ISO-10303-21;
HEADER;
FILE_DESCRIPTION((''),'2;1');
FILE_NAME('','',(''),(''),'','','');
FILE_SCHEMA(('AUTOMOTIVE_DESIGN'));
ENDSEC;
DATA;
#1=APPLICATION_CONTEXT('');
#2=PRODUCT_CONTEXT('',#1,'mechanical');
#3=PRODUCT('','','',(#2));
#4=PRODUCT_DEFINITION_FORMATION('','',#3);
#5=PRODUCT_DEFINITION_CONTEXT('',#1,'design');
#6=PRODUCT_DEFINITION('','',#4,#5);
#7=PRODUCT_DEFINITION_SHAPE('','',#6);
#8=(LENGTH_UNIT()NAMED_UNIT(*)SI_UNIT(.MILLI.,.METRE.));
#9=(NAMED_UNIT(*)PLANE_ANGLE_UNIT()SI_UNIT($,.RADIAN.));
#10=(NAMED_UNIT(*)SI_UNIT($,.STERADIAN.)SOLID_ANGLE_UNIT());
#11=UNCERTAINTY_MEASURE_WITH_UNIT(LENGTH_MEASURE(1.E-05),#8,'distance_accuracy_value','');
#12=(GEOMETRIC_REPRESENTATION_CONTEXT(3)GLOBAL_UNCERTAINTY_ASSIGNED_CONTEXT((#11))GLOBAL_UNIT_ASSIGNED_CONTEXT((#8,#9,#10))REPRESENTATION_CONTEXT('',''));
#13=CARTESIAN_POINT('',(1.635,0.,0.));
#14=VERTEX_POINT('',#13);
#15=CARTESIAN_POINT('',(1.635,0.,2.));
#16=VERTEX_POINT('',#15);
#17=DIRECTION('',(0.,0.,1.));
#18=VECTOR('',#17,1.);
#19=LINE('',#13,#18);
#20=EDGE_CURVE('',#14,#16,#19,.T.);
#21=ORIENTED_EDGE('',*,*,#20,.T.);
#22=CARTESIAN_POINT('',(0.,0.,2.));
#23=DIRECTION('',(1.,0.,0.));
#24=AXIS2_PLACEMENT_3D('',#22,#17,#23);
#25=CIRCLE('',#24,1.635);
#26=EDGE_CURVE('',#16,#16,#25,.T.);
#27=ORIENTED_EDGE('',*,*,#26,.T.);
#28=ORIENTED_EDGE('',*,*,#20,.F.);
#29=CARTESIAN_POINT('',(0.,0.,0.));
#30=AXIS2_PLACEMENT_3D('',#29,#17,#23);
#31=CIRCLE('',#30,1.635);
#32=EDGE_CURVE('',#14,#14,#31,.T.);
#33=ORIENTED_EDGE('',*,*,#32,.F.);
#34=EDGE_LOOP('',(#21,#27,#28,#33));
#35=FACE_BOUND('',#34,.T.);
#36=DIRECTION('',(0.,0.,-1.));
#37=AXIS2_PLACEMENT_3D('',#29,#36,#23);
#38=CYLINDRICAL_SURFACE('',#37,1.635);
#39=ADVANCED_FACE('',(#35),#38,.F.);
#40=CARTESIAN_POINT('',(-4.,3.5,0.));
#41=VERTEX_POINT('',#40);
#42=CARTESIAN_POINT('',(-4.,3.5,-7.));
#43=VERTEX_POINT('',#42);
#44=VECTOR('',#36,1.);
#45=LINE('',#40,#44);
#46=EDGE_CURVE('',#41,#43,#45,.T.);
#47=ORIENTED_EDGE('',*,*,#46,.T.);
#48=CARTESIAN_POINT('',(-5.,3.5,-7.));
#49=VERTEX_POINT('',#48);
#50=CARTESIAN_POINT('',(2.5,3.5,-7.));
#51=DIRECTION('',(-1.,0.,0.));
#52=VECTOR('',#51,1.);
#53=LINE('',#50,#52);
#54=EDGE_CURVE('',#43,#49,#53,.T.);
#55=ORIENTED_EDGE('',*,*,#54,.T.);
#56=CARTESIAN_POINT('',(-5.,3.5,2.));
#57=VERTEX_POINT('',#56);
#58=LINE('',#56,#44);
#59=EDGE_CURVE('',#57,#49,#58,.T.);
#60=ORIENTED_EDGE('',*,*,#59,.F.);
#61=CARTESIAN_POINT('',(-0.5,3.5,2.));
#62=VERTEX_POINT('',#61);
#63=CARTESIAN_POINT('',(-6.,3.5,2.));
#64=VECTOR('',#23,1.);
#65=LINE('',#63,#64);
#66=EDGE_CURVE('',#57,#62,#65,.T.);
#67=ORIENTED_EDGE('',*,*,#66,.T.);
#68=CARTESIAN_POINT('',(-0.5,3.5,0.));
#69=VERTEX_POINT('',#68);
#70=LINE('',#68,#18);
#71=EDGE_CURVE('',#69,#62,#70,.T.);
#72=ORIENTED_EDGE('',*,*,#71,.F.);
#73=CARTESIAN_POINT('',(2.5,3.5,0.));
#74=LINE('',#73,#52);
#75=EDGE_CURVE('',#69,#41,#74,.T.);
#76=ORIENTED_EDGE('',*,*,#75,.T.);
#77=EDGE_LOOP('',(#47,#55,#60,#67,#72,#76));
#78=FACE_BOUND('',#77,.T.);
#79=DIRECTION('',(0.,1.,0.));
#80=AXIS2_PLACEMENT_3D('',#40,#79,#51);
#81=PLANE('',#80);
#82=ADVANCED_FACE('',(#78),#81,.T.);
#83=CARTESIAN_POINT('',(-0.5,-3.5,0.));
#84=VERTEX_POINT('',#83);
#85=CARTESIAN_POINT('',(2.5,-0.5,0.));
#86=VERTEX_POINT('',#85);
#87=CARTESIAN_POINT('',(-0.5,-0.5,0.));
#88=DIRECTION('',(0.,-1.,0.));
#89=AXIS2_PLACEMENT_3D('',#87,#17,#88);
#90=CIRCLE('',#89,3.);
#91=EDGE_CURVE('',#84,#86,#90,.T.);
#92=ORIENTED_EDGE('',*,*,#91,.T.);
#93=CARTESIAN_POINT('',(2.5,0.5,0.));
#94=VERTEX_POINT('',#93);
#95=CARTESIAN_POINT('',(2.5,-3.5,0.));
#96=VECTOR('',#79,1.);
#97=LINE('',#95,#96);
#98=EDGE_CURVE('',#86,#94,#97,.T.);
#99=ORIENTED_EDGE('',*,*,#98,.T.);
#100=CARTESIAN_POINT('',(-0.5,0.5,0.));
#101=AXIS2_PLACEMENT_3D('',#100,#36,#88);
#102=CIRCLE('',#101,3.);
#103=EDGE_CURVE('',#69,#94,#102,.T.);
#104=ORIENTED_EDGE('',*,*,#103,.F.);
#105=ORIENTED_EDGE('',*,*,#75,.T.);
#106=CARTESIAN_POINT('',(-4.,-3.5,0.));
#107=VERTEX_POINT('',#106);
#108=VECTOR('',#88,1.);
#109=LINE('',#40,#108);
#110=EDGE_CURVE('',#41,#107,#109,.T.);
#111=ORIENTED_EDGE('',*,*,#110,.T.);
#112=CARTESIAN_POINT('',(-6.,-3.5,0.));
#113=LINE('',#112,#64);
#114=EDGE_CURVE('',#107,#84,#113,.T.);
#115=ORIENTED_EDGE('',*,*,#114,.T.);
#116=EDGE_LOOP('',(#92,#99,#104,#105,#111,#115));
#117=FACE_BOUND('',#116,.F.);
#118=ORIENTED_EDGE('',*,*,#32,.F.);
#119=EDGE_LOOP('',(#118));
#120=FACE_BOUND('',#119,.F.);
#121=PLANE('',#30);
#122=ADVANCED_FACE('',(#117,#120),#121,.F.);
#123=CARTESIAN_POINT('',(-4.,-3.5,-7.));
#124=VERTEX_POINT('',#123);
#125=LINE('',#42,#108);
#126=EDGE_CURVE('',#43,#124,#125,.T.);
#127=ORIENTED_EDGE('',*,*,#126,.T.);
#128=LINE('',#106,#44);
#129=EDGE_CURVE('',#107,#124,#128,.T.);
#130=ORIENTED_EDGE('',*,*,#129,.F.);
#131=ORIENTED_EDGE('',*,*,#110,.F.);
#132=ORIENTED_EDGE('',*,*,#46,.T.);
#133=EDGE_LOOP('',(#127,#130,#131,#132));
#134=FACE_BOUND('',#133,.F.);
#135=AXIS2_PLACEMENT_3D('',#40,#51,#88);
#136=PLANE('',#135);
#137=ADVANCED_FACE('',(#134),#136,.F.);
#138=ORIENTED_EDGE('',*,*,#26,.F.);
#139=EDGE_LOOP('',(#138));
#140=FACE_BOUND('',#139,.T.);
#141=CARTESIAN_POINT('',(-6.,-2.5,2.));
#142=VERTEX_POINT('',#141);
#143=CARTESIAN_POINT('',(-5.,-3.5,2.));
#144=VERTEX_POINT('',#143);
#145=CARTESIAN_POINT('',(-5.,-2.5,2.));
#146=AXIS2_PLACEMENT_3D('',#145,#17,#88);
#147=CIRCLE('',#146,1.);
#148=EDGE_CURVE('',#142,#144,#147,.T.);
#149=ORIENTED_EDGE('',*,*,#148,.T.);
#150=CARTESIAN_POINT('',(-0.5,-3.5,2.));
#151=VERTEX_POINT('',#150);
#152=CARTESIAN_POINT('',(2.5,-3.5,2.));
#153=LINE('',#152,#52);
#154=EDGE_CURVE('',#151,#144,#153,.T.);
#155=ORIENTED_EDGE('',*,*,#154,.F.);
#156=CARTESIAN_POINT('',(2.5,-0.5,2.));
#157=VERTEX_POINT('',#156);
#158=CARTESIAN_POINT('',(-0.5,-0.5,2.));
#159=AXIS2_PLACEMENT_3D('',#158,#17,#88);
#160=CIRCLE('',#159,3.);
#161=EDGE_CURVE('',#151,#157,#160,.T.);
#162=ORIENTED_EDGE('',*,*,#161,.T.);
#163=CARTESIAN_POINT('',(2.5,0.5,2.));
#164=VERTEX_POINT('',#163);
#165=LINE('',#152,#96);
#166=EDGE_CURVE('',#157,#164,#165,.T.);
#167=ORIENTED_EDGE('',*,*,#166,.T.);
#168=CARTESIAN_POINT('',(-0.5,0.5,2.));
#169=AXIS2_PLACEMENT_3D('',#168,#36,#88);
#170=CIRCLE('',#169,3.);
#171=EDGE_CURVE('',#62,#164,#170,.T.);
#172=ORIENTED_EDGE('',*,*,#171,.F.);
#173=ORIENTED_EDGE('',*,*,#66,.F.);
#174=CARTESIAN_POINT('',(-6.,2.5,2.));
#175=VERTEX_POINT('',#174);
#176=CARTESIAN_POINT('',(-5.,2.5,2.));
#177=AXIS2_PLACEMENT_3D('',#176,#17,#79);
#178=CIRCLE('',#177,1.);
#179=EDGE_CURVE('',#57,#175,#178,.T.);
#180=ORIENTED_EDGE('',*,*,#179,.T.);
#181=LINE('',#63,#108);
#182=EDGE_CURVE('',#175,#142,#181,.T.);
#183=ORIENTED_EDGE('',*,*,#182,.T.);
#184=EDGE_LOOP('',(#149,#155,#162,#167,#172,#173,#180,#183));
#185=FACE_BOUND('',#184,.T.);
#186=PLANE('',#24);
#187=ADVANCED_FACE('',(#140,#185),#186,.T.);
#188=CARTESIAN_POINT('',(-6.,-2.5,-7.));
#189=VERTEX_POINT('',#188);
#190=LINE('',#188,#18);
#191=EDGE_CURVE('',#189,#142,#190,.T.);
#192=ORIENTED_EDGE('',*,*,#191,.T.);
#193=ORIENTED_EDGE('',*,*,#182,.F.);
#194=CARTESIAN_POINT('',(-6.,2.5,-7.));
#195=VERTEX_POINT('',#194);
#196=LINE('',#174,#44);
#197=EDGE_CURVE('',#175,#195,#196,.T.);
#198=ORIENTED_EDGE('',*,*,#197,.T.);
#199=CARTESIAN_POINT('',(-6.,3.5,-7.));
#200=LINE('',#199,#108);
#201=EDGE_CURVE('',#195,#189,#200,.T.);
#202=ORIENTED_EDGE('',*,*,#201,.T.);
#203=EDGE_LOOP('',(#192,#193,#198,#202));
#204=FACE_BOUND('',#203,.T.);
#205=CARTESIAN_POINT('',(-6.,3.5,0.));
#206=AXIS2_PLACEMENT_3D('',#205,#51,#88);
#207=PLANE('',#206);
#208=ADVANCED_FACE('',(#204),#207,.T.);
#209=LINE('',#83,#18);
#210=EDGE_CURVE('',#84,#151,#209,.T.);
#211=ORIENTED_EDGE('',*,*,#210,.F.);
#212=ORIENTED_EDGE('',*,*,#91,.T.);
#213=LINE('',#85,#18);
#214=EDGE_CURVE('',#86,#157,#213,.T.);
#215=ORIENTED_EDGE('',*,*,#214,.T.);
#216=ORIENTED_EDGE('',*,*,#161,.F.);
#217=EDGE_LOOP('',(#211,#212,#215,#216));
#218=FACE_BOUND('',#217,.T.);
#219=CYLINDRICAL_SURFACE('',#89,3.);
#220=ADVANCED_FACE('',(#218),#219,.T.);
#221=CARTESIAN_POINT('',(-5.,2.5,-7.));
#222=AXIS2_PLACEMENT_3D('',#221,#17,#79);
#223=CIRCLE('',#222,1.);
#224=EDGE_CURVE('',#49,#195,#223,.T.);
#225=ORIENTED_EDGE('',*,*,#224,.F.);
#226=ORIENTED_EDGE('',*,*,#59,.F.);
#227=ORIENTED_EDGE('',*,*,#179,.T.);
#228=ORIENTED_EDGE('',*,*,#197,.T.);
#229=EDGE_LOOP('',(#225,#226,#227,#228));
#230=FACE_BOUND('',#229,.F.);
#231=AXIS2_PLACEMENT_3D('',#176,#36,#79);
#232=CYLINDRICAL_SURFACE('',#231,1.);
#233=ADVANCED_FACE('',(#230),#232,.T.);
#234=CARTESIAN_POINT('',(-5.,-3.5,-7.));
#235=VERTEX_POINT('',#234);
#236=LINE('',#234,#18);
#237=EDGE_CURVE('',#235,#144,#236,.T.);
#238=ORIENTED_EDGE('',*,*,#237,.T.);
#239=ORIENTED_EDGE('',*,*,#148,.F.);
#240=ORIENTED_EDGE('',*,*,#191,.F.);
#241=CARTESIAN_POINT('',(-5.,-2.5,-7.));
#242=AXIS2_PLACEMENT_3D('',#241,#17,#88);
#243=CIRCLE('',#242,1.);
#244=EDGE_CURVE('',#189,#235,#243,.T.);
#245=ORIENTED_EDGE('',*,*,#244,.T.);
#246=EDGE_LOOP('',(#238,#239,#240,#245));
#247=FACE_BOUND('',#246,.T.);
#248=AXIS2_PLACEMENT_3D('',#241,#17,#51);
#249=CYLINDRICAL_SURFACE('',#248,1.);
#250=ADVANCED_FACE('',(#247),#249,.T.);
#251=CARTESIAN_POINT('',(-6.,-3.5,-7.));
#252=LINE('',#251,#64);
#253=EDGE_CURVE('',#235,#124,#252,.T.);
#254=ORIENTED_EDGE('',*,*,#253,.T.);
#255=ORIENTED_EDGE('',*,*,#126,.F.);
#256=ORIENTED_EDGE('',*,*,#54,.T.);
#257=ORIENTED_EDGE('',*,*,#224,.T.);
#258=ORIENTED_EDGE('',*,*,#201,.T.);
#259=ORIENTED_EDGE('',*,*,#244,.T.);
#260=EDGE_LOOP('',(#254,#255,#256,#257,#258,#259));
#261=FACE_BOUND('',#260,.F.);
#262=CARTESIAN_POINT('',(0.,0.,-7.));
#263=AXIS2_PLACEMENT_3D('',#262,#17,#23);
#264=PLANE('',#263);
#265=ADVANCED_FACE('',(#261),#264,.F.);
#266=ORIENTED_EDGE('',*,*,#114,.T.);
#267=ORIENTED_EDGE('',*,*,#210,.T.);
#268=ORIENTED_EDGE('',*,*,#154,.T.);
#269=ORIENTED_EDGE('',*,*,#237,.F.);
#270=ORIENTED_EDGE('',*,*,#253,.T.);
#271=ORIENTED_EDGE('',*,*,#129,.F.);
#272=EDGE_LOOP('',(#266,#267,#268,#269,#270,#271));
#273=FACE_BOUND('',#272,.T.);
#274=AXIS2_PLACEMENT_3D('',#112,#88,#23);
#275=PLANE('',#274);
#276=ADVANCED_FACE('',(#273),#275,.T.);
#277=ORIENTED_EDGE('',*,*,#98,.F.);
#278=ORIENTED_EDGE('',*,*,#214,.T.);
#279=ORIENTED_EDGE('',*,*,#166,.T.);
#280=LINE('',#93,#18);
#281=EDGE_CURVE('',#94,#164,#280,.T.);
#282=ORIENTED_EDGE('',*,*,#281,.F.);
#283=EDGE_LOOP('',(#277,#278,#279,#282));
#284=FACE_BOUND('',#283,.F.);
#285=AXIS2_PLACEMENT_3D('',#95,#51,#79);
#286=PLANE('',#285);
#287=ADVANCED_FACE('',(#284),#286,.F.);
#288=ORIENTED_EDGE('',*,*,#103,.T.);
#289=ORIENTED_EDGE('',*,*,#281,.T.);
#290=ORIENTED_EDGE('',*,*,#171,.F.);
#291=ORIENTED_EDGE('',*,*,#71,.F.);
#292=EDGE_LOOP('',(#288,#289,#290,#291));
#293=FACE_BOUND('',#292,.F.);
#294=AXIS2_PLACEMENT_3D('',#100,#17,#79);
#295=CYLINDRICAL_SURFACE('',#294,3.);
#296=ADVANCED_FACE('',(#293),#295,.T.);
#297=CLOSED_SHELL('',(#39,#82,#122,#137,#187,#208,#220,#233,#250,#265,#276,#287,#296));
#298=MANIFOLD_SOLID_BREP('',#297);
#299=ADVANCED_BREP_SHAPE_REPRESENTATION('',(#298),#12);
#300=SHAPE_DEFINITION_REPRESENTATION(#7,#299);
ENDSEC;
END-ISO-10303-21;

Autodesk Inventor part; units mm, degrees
ref_plane "YZ Plane" through (0, 0, 0) normal (1, 0, 0) x (0, 1, 0)
ref_plane "XZ Plane" through (0, 0, 0) normal (0, 1, 0) x (-1, 0, 0)
ref_plane "XY Plane" through (0, 0, 0) normal (0, 0, 1) x (1, 0, 0)
sketch "スケッチ1" plane through (0, 0, 0) normal (0, 0, 1) x (1, 0, 0)
  circle A0 centre (0, 0) radius 1.635
  line L0 (-6, -3.5) -> (2.5, -3.5)
  line L1 (2.5, -3.5) -> (2.5, 3.5)
  line L2 (2.5, 3.5) -> (-6, 3.5)
  line L3 (-6, 3.5) -> (-6, -3.5)
  line L4 (-6, -3.5) -> (2.5, 3.5) construction
  line L5 (2.5, -3.5) -> (-6, 3.5) construction
  line L6 (-6, 0) -> (2.5, 0) construction
  line L7 (-4, 3.5) -> (-4, -3.5)
  point P0 (-1.75, 0)
  dimension "d0" = 3.27
  dimension "d1" = 7
  dimension "d2" = 2.5
  dimension "d3" = 6
  dimension "d6" = 2
extrude "押し出し1" add sketch "スケッチ1" along normal blind 2
extrude "押し出し2" add sketch "スケッチ1" against normal blind 7 contours L3 L2 L7 L0
fillet "フィレット1" radius 3 2 edges at (2.5, 3.5, 1) (2.5, -3.5, 1)
fillet "フィレット2" radius 1 2 edges at (-6, -3.5, -2.5) (-6, 3.5, -2.5)
properties part number "guide_link"
